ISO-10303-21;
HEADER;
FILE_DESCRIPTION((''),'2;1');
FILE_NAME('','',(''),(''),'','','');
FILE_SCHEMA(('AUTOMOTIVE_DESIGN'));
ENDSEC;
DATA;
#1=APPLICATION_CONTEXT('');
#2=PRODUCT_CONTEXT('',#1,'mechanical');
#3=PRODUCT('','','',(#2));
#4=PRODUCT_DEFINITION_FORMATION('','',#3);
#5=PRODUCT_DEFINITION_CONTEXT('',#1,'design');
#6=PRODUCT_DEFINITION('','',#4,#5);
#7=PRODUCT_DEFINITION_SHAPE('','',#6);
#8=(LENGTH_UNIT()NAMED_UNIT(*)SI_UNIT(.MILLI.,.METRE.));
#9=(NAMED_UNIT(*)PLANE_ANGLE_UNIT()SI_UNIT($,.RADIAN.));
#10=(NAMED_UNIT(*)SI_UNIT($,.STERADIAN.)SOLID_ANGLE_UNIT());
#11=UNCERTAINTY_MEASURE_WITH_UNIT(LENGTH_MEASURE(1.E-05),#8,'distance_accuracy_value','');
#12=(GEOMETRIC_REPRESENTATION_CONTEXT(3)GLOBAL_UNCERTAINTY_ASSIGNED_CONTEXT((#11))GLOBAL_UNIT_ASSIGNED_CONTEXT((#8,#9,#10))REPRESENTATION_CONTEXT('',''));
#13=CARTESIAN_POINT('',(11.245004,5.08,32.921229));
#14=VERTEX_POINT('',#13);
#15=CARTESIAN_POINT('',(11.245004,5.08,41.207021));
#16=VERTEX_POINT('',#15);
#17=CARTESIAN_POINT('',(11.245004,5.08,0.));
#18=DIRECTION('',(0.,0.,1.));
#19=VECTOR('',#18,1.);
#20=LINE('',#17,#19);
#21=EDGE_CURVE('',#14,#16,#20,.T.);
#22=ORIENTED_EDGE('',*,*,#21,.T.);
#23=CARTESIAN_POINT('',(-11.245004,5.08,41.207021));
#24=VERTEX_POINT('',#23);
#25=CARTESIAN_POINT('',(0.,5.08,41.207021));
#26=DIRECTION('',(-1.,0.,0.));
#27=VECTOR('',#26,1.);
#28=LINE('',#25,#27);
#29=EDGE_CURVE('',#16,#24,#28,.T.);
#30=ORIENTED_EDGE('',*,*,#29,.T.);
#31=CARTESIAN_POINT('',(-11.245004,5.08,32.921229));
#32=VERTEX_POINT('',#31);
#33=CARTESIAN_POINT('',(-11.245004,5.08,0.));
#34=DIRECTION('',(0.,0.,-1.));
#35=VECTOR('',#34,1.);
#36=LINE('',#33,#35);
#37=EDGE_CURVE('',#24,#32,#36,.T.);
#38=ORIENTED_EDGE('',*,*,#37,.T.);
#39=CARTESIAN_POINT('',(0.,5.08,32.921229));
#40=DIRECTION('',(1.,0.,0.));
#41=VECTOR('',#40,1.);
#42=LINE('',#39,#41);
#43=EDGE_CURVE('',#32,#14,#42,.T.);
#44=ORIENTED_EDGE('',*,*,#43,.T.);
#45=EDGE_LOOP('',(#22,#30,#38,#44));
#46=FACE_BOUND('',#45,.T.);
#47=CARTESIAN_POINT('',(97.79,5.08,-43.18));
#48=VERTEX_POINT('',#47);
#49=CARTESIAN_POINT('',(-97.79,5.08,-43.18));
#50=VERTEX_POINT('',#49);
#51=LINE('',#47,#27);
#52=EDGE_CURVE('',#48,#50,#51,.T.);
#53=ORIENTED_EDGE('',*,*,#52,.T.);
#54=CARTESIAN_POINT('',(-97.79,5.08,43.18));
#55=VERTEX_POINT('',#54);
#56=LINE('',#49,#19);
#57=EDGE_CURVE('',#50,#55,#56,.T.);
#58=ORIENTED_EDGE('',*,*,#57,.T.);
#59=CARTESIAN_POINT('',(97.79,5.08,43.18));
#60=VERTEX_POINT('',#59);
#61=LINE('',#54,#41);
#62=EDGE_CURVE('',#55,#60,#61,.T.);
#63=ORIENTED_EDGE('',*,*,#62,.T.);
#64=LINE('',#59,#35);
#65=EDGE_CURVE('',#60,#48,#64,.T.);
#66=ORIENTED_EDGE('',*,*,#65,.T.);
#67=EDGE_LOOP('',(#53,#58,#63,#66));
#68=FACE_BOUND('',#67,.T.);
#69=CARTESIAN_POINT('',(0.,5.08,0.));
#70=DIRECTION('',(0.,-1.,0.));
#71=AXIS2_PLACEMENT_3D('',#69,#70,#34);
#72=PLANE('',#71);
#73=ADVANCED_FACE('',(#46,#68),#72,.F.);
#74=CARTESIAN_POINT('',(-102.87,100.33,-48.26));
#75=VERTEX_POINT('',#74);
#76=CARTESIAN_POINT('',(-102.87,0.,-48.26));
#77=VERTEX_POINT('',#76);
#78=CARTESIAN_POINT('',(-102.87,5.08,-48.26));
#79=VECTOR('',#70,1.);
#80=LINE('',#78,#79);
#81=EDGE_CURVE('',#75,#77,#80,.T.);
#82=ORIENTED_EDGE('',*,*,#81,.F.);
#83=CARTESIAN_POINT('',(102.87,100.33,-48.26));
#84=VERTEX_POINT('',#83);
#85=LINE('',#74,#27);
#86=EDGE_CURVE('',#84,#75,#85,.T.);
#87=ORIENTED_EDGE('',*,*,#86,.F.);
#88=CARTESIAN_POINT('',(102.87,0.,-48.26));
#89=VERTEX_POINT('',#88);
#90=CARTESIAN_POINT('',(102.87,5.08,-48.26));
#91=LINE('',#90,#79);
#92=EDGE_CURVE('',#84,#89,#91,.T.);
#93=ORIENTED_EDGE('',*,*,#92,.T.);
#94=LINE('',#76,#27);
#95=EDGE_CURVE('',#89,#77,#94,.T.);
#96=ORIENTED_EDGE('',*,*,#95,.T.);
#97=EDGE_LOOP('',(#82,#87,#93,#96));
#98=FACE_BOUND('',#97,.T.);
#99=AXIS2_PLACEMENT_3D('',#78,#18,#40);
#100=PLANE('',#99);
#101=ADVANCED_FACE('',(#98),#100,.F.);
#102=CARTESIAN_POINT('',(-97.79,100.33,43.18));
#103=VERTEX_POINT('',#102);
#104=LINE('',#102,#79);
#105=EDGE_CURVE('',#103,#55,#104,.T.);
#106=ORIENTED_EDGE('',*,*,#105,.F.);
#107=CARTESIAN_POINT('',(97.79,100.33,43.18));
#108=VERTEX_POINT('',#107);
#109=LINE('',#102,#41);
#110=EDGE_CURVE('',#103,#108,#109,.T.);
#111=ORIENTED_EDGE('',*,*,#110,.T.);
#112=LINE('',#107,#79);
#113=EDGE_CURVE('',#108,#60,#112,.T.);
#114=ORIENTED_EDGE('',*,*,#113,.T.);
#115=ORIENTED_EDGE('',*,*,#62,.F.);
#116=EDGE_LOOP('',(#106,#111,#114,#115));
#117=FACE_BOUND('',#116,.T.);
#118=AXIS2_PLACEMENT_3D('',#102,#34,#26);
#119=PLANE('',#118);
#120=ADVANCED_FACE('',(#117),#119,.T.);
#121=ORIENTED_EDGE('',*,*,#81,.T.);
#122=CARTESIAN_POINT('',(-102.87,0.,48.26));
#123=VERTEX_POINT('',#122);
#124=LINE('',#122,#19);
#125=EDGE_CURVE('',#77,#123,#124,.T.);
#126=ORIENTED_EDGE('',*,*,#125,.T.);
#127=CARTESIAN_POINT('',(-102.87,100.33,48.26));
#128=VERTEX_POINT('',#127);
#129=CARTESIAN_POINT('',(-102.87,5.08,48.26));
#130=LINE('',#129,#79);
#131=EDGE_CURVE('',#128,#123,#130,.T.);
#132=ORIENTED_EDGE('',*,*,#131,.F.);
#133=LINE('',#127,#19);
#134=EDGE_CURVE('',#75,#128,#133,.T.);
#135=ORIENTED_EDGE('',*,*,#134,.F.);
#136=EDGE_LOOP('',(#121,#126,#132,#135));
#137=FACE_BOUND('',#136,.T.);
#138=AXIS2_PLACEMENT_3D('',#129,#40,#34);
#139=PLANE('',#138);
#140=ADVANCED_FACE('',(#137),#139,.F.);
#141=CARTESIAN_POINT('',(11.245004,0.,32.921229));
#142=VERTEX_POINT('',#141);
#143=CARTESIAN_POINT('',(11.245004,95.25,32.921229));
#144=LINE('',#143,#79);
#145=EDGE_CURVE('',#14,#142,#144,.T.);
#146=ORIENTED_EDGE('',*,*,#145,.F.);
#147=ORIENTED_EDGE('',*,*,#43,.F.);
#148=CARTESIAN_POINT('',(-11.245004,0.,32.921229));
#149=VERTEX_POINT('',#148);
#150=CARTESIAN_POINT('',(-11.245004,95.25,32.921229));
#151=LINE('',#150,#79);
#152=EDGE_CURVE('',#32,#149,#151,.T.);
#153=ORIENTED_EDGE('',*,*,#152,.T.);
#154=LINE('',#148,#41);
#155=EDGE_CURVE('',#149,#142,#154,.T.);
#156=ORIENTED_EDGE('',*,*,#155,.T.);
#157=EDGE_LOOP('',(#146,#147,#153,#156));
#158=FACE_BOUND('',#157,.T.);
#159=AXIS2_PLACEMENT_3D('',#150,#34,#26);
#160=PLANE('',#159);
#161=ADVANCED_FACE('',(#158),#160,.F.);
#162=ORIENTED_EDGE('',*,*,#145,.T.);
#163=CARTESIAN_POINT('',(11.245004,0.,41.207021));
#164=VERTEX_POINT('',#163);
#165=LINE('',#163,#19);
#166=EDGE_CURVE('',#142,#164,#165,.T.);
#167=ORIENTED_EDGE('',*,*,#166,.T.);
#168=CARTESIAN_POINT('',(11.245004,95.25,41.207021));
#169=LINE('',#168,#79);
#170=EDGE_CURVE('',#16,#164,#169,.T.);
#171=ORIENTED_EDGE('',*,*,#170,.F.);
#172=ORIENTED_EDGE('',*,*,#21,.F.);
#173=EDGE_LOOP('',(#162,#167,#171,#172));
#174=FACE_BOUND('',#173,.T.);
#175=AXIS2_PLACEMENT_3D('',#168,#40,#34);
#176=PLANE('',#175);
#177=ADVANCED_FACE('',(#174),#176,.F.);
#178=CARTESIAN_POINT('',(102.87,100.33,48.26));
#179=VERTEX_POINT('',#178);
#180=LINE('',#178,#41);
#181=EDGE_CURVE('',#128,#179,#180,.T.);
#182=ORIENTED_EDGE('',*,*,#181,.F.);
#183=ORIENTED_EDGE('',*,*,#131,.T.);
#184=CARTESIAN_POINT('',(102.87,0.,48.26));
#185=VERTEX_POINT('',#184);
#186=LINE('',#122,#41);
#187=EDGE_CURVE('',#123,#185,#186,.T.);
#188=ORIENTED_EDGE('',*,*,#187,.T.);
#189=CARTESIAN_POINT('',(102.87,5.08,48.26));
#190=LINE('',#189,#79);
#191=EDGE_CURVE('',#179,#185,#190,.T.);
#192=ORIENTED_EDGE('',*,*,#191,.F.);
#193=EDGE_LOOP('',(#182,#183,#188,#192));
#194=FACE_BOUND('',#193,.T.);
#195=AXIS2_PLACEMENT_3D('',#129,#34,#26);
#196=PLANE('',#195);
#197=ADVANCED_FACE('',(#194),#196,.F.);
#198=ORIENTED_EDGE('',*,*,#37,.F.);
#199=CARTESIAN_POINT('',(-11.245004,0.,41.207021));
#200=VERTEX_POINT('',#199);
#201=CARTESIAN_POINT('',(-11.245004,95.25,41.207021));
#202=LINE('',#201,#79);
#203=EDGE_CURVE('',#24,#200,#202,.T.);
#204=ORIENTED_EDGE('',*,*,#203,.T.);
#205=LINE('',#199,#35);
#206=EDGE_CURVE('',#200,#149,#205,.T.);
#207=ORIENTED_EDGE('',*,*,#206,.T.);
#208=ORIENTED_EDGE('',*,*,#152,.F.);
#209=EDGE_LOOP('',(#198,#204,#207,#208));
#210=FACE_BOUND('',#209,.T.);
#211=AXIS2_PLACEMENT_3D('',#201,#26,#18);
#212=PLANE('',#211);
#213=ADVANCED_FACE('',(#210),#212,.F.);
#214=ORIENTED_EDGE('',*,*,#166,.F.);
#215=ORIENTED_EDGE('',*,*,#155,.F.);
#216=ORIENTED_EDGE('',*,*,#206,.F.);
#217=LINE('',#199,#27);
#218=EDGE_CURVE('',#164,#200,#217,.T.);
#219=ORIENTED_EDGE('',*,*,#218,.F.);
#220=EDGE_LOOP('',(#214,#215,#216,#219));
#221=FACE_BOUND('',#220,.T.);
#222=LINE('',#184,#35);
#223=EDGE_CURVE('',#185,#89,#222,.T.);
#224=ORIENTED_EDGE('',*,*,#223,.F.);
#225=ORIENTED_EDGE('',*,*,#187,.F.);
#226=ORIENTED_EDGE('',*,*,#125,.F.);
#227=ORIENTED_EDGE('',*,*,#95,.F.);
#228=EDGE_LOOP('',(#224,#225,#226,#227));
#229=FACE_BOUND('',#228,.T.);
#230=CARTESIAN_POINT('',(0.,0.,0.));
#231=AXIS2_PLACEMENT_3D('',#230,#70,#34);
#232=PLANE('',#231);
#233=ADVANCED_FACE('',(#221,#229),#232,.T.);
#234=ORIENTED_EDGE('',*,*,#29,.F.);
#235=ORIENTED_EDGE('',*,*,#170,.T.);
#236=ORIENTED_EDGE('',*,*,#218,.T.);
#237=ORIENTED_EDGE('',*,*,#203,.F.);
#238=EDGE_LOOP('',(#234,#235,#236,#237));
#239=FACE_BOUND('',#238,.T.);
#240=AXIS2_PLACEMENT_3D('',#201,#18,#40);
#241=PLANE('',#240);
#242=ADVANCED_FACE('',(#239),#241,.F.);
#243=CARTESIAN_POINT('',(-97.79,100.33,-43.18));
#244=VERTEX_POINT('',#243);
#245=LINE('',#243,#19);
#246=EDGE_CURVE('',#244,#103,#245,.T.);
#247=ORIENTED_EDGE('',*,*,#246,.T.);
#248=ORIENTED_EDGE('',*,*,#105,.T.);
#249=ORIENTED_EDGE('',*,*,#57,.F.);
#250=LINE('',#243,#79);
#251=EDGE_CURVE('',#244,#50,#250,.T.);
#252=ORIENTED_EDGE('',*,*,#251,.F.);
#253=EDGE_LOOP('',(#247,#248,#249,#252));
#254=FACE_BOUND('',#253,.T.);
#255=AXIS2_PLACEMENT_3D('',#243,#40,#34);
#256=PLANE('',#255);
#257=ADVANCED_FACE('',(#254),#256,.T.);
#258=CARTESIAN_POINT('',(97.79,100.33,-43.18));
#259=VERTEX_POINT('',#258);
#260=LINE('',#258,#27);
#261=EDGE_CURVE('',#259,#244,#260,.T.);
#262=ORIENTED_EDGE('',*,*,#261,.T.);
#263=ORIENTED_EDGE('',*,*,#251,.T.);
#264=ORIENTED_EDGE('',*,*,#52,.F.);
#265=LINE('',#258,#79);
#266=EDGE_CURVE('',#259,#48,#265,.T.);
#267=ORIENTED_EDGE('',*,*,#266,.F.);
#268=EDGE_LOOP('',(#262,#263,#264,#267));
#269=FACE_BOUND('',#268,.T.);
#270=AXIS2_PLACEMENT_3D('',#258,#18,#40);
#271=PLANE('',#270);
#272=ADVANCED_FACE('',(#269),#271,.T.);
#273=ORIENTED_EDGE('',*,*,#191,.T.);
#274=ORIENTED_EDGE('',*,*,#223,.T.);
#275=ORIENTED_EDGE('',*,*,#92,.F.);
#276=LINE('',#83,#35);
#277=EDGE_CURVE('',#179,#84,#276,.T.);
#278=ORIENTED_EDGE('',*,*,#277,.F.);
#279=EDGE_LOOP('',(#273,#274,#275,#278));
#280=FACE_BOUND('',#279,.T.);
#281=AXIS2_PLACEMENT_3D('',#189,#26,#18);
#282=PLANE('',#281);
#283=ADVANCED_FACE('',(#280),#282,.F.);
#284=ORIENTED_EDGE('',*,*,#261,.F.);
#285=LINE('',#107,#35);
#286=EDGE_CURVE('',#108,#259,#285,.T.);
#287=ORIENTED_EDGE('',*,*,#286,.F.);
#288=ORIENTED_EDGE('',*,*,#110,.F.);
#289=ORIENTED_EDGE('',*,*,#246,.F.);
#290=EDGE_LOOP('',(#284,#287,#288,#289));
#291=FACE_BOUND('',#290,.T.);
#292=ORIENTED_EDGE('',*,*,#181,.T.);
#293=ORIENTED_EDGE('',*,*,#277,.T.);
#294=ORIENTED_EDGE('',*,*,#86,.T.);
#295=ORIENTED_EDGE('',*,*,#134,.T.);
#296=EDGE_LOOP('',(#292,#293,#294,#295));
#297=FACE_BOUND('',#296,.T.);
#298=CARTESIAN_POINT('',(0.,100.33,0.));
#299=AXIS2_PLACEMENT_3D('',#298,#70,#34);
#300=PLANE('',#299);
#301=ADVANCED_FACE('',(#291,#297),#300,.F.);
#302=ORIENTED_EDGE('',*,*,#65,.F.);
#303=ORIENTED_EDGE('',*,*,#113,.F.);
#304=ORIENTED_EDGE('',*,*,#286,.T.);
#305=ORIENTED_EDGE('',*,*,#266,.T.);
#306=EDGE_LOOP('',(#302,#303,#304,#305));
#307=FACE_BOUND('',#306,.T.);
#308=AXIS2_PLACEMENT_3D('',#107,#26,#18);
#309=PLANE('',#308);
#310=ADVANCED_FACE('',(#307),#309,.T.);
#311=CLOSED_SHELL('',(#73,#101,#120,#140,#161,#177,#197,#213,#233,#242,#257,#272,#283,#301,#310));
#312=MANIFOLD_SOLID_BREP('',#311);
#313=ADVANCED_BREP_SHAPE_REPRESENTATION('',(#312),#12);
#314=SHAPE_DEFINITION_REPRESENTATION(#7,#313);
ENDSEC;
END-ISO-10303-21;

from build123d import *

# Parameters (mm, degrees)
SKETCH2_W           = 205.74
SKETCH2_H           = 96.52
BOSS_EXTRUDE1_DEPTH = 5.08
SKETCH3_W           = 205.74
SKETCH3_H           = 96.52
SKETCH3_W_2         = 195.58
SKETCH3_H_2         = 86.36
BOSS_EXTRUDE2_DEPTH = 95.25
SKETCH5_W           = 22.490008116
SKETCH5_H           = 8.285792463
CUT_EXTRUDE1_DEPTH  = 95.25


with BuildPart() as part:
    # Sketch2 → Boss-Extrude1 (new body)
    with BuildSketch(Plane(origin=(0, 0, 0), x_dir=(1, 0, 0), z_dir=(0, 1, 0))):
        Rectangle(SKETCH2_W, SKETCH2_H)
    extrude(amount=BOSS_EXTRUDE1_DEPTH)

    # Sketch3 → Boss-Extrude2 (add)
    with BuildSketch(Plane(origin=(0, 5.08, 0), x_dir=(1, 0, 0), z_dir=(0, 1, 0))):
        Rectangle(SKETCH3_W, SKETCH3_H)
        Rectangle(SKETCH3_W_2, SKETCH3_H_2, mode=Mode.SUBTRACT)
    extrude(amount=BOSS_EXTRUDE2_DEPTH)

    # Sketch5 → Cut-Extrude1 (cut)
    with BuildSketch(Plane.XZ):
        with Locations((0, 37.064125217)):
            Rectangle(SKETCH5_W, SKETCH5_H)
    extrude(amount=-CUT_EXTRUDE1_DEPTH, mode=Mode.SUBTRACT)


solid = part.part
